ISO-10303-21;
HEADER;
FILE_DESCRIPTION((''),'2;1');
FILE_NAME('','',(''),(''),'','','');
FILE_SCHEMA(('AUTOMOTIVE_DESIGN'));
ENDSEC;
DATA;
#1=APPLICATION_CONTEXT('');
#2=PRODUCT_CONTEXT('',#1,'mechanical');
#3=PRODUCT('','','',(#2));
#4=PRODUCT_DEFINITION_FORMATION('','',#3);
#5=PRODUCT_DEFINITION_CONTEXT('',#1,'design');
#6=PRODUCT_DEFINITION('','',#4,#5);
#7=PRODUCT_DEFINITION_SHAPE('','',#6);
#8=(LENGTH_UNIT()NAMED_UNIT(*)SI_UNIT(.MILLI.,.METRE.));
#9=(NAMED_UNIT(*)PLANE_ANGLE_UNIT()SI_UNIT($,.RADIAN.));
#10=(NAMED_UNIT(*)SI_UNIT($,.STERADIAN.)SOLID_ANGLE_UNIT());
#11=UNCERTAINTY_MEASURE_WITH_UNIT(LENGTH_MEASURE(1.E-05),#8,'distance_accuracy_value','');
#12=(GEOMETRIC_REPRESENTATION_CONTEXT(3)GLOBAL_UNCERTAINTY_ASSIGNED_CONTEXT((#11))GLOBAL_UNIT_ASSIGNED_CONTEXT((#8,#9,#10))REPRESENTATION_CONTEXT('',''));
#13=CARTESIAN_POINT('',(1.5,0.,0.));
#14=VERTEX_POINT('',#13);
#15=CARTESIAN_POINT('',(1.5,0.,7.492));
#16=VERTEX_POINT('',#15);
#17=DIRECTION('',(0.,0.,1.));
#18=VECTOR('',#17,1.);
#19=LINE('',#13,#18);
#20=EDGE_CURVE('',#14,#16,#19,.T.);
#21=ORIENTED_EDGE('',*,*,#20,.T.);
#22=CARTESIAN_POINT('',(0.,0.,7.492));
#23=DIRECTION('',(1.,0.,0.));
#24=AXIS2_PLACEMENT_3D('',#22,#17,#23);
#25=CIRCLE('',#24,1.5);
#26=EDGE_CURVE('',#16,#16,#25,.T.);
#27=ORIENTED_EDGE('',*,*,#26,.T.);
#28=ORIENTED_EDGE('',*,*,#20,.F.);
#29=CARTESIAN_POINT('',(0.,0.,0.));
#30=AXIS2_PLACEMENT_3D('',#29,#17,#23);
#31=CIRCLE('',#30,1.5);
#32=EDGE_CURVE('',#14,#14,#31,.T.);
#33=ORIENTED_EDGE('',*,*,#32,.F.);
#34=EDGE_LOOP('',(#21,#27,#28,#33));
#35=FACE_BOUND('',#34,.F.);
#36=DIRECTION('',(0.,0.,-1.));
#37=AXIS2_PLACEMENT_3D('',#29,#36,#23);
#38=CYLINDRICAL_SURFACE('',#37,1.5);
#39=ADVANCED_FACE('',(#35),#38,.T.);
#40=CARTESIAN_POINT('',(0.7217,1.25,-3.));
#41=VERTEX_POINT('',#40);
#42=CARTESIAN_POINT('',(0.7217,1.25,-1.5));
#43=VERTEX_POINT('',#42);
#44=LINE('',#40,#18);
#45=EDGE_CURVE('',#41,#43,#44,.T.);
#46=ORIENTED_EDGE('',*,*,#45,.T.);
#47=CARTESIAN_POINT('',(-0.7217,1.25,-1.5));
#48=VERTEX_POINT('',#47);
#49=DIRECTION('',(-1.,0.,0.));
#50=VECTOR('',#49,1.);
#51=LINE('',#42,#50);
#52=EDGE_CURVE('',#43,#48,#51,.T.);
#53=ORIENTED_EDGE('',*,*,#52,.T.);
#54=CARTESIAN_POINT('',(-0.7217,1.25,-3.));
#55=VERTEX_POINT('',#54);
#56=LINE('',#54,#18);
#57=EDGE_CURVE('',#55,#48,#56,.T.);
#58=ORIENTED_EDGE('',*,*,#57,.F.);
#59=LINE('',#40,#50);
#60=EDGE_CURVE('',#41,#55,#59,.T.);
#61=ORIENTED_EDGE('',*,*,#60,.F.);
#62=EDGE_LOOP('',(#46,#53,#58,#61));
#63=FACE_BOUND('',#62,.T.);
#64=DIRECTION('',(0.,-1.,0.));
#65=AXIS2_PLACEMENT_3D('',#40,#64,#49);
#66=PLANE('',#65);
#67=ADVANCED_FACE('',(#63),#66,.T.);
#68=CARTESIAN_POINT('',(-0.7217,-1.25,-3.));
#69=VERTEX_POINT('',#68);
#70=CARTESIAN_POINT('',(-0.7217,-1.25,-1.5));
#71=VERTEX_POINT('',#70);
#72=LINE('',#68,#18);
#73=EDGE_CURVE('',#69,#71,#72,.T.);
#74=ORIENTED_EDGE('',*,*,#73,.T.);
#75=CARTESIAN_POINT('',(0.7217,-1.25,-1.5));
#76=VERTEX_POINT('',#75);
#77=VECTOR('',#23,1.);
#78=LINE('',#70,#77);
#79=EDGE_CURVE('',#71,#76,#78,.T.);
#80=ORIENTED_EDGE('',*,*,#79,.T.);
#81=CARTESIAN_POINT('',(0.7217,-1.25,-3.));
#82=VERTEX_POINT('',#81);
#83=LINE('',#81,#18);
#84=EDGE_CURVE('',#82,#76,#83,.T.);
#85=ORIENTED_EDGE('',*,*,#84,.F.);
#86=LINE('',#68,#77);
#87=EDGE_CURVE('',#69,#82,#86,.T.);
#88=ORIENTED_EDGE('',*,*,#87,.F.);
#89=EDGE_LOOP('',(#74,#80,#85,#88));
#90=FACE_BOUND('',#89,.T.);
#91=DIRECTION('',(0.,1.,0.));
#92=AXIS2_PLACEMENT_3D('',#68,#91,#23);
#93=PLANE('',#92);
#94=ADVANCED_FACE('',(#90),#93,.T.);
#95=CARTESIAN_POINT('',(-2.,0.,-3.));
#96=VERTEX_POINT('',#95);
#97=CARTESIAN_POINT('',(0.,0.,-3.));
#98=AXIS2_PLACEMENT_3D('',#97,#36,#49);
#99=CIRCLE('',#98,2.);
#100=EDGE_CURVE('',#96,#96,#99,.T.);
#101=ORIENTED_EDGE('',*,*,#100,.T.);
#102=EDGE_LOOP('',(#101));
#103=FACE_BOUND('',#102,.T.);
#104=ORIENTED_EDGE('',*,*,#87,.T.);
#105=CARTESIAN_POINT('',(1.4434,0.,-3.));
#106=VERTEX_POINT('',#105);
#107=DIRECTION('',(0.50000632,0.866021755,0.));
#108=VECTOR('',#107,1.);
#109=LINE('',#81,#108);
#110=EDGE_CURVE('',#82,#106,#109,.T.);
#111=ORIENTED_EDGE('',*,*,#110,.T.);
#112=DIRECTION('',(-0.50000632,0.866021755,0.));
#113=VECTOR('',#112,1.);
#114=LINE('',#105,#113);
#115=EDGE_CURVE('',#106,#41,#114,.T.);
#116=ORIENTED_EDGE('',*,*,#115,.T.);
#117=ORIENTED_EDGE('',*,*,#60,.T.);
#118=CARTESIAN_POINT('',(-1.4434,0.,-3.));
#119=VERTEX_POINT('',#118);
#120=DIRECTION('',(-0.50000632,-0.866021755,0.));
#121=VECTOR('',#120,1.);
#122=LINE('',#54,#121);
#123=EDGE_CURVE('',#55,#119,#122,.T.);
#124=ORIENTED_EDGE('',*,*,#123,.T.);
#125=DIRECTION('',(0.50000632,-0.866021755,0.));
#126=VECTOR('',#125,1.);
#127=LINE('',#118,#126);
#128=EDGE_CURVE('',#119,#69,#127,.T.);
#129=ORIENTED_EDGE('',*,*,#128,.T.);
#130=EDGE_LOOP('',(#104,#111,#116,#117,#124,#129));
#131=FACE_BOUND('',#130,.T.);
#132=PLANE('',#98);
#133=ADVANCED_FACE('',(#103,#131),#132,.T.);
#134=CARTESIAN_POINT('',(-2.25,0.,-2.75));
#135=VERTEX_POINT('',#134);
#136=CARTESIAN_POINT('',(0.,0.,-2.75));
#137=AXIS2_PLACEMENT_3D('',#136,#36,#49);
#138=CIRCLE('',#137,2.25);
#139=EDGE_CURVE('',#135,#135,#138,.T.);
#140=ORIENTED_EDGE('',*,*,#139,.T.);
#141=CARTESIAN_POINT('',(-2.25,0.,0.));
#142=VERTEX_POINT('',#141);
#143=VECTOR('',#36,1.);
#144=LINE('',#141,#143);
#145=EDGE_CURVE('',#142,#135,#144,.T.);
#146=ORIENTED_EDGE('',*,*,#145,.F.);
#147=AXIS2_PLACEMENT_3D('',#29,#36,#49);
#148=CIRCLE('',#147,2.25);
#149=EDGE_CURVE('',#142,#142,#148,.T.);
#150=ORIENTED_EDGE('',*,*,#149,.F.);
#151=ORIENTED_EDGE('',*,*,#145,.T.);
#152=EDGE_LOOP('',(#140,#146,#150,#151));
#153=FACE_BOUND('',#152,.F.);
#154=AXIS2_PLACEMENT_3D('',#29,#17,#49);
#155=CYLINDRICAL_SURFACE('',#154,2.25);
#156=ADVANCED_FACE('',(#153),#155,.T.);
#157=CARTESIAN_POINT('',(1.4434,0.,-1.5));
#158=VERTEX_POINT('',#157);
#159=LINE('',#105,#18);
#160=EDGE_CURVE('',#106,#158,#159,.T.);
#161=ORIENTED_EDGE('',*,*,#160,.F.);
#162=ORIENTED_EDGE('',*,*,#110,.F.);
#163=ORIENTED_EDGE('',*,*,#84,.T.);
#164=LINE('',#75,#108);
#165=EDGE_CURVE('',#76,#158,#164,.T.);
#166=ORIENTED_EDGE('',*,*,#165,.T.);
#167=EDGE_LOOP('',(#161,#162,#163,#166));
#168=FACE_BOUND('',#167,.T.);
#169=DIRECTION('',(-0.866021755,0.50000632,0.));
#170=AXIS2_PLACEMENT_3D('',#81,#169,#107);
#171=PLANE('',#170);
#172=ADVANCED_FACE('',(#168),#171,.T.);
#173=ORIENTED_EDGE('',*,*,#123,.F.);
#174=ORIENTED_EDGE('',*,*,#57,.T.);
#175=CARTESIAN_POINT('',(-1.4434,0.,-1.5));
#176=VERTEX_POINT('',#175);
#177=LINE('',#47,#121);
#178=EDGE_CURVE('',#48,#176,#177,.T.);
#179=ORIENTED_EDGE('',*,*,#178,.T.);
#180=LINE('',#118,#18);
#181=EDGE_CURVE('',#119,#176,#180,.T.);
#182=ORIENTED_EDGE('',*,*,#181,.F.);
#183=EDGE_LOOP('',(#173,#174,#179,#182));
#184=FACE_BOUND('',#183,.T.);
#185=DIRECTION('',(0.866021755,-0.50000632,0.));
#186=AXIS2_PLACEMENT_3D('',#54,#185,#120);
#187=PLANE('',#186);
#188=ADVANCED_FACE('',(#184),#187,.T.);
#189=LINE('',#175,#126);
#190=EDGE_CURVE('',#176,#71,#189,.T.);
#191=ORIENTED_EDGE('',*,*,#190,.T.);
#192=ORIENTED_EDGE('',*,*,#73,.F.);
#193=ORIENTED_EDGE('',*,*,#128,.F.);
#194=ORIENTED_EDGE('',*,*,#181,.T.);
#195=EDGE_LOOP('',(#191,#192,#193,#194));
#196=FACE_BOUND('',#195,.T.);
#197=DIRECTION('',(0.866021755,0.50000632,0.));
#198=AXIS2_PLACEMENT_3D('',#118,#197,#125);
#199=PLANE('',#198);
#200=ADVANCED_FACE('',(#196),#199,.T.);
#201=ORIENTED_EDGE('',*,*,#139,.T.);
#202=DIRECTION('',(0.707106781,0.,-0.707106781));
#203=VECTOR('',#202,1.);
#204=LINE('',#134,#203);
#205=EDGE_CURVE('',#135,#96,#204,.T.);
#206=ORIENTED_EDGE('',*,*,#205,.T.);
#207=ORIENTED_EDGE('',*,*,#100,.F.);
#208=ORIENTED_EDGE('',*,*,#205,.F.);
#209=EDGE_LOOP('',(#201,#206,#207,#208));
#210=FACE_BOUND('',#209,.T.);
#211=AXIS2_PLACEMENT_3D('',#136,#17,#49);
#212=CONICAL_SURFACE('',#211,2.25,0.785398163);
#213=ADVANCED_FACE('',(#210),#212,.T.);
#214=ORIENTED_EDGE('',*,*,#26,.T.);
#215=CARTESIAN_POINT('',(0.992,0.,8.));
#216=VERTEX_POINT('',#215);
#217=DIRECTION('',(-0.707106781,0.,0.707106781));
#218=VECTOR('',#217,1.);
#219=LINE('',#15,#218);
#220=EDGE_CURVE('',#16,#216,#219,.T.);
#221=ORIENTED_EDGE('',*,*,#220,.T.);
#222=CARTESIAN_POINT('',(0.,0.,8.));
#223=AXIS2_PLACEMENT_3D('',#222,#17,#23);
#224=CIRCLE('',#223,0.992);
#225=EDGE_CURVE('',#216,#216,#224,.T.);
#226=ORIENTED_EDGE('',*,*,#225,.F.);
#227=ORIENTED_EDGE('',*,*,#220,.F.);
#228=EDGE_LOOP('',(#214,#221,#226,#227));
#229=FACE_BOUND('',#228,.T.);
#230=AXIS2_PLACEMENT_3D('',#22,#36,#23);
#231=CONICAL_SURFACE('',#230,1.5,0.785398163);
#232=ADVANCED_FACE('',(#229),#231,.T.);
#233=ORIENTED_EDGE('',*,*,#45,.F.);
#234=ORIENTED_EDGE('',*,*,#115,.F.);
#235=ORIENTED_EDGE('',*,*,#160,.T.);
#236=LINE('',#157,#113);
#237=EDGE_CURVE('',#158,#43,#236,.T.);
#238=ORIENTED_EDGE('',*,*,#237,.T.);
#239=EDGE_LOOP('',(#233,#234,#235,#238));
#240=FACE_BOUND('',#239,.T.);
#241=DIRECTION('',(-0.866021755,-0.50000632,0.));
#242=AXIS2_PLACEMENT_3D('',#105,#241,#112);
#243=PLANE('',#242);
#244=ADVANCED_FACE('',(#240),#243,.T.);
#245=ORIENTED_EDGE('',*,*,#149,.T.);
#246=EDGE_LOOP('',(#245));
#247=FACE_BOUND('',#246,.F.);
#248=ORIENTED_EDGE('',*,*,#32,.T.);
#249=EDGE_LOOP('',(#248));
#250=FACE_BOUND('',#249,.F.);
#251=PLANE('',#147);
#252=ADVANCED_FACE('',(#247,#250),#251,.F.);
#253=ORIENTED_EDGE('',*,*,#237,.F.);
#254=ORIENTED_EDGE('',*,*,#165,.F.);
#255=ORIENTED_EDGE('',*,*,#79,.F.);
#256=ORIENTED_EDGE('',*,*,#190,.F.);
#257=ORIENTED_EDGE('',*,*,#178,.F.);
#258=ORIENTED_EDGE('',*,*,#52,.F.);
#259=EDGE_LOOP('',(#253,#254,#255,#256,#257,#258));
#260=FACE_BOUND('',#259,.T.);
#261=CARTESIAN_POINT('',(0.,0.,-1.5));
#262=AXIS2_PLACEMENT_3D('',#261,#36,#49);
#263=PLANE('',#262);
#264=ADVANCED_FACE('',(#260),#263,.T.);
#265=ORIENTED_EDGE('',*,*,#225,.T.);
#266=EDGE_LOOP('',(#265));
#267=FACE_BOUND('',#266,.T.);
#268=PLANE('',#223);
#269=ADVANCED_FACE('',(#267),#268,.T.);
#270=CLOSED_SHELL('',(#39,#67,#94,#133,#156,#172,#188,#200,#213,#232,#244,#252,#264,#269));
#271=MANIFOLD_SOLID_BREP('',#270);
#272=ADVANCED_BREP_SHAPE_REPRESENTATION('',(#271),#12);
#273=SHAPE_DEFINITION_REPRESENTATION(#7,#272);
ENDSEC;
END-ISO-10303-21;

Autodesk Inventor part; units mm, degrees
ref_plane "YZ Plane" through (0, 0, 0) normal (1, 0, 0) x (0, 1, 0)
ref_plane "XZ Plane" through (0, 0, 0) normal (0, 1, 0) x (-1, 0, 0)
ref_plane "XY Plane" through (0, 0, 0) normal (0, 0, 1) x (1, 0, 0)
sketch "Sketch1" plane through (0, 0, 0) normal (0, 0, 1) x (1, 0, 0)
  circle A0 centre (0, 0) radius 1.5
  dimension "d0" = 3
extrude "Extrusion1" add sketch "Sketch1" along normal blind 8
sketch "Sketch2" plane through (0, 0, 0) normal (0, 0, -1) x (-1, 0, 0)
  circle A0 centre (0, 0) radius 1.5 projected
  circle A1 centre (0, 0) radius 2.25
  dimension "d3" = 4.5
extrude "Extrusion2" add sketch "Sketch2" along normal blind 3 contours A0 | A1
sketch "Sketch3" plane through (0, 0, -3) normal (0, 0, -1) x (-1, 0, 0)
  circle A0 centre (0, 0) radius 2.25 projected
  line L0 (-0.7217, 1.25) -> (0.7217, 1.25)
  line L1 (0.7217, 1.25) -> (1.4434, 0)
  line L2 (1.4434, 0) -> (0.7217, -1.25)
  line L3 (0.7217, -1.25) -> (-0.7217, -1.25)
  line L4 (-0.7217, -1.25) -> (-1.4434, 0)
  line L5 (-1.4434, 0) -> (-0.7217, 1.25)
  dimension "d6" = 2.5
extrude "Extrusion3" cut sketch "Sketch3" against normal blind 1.5 contours L0 L1 L2 L3 L4 L5
thread "Thread1" size "M3x0.5" class "6g" standard "ANSI Metric M Profile" full length
chamfer "Chamfer1" distance 0.508 angle 45 1 edges at (-1.5, 0, 8)
chamfer "Chamfer2" distance 0.25 angle 45 1 edges at (2.25, 0, -3)
properties part number "M3 SHCS x8" material "Steel"
